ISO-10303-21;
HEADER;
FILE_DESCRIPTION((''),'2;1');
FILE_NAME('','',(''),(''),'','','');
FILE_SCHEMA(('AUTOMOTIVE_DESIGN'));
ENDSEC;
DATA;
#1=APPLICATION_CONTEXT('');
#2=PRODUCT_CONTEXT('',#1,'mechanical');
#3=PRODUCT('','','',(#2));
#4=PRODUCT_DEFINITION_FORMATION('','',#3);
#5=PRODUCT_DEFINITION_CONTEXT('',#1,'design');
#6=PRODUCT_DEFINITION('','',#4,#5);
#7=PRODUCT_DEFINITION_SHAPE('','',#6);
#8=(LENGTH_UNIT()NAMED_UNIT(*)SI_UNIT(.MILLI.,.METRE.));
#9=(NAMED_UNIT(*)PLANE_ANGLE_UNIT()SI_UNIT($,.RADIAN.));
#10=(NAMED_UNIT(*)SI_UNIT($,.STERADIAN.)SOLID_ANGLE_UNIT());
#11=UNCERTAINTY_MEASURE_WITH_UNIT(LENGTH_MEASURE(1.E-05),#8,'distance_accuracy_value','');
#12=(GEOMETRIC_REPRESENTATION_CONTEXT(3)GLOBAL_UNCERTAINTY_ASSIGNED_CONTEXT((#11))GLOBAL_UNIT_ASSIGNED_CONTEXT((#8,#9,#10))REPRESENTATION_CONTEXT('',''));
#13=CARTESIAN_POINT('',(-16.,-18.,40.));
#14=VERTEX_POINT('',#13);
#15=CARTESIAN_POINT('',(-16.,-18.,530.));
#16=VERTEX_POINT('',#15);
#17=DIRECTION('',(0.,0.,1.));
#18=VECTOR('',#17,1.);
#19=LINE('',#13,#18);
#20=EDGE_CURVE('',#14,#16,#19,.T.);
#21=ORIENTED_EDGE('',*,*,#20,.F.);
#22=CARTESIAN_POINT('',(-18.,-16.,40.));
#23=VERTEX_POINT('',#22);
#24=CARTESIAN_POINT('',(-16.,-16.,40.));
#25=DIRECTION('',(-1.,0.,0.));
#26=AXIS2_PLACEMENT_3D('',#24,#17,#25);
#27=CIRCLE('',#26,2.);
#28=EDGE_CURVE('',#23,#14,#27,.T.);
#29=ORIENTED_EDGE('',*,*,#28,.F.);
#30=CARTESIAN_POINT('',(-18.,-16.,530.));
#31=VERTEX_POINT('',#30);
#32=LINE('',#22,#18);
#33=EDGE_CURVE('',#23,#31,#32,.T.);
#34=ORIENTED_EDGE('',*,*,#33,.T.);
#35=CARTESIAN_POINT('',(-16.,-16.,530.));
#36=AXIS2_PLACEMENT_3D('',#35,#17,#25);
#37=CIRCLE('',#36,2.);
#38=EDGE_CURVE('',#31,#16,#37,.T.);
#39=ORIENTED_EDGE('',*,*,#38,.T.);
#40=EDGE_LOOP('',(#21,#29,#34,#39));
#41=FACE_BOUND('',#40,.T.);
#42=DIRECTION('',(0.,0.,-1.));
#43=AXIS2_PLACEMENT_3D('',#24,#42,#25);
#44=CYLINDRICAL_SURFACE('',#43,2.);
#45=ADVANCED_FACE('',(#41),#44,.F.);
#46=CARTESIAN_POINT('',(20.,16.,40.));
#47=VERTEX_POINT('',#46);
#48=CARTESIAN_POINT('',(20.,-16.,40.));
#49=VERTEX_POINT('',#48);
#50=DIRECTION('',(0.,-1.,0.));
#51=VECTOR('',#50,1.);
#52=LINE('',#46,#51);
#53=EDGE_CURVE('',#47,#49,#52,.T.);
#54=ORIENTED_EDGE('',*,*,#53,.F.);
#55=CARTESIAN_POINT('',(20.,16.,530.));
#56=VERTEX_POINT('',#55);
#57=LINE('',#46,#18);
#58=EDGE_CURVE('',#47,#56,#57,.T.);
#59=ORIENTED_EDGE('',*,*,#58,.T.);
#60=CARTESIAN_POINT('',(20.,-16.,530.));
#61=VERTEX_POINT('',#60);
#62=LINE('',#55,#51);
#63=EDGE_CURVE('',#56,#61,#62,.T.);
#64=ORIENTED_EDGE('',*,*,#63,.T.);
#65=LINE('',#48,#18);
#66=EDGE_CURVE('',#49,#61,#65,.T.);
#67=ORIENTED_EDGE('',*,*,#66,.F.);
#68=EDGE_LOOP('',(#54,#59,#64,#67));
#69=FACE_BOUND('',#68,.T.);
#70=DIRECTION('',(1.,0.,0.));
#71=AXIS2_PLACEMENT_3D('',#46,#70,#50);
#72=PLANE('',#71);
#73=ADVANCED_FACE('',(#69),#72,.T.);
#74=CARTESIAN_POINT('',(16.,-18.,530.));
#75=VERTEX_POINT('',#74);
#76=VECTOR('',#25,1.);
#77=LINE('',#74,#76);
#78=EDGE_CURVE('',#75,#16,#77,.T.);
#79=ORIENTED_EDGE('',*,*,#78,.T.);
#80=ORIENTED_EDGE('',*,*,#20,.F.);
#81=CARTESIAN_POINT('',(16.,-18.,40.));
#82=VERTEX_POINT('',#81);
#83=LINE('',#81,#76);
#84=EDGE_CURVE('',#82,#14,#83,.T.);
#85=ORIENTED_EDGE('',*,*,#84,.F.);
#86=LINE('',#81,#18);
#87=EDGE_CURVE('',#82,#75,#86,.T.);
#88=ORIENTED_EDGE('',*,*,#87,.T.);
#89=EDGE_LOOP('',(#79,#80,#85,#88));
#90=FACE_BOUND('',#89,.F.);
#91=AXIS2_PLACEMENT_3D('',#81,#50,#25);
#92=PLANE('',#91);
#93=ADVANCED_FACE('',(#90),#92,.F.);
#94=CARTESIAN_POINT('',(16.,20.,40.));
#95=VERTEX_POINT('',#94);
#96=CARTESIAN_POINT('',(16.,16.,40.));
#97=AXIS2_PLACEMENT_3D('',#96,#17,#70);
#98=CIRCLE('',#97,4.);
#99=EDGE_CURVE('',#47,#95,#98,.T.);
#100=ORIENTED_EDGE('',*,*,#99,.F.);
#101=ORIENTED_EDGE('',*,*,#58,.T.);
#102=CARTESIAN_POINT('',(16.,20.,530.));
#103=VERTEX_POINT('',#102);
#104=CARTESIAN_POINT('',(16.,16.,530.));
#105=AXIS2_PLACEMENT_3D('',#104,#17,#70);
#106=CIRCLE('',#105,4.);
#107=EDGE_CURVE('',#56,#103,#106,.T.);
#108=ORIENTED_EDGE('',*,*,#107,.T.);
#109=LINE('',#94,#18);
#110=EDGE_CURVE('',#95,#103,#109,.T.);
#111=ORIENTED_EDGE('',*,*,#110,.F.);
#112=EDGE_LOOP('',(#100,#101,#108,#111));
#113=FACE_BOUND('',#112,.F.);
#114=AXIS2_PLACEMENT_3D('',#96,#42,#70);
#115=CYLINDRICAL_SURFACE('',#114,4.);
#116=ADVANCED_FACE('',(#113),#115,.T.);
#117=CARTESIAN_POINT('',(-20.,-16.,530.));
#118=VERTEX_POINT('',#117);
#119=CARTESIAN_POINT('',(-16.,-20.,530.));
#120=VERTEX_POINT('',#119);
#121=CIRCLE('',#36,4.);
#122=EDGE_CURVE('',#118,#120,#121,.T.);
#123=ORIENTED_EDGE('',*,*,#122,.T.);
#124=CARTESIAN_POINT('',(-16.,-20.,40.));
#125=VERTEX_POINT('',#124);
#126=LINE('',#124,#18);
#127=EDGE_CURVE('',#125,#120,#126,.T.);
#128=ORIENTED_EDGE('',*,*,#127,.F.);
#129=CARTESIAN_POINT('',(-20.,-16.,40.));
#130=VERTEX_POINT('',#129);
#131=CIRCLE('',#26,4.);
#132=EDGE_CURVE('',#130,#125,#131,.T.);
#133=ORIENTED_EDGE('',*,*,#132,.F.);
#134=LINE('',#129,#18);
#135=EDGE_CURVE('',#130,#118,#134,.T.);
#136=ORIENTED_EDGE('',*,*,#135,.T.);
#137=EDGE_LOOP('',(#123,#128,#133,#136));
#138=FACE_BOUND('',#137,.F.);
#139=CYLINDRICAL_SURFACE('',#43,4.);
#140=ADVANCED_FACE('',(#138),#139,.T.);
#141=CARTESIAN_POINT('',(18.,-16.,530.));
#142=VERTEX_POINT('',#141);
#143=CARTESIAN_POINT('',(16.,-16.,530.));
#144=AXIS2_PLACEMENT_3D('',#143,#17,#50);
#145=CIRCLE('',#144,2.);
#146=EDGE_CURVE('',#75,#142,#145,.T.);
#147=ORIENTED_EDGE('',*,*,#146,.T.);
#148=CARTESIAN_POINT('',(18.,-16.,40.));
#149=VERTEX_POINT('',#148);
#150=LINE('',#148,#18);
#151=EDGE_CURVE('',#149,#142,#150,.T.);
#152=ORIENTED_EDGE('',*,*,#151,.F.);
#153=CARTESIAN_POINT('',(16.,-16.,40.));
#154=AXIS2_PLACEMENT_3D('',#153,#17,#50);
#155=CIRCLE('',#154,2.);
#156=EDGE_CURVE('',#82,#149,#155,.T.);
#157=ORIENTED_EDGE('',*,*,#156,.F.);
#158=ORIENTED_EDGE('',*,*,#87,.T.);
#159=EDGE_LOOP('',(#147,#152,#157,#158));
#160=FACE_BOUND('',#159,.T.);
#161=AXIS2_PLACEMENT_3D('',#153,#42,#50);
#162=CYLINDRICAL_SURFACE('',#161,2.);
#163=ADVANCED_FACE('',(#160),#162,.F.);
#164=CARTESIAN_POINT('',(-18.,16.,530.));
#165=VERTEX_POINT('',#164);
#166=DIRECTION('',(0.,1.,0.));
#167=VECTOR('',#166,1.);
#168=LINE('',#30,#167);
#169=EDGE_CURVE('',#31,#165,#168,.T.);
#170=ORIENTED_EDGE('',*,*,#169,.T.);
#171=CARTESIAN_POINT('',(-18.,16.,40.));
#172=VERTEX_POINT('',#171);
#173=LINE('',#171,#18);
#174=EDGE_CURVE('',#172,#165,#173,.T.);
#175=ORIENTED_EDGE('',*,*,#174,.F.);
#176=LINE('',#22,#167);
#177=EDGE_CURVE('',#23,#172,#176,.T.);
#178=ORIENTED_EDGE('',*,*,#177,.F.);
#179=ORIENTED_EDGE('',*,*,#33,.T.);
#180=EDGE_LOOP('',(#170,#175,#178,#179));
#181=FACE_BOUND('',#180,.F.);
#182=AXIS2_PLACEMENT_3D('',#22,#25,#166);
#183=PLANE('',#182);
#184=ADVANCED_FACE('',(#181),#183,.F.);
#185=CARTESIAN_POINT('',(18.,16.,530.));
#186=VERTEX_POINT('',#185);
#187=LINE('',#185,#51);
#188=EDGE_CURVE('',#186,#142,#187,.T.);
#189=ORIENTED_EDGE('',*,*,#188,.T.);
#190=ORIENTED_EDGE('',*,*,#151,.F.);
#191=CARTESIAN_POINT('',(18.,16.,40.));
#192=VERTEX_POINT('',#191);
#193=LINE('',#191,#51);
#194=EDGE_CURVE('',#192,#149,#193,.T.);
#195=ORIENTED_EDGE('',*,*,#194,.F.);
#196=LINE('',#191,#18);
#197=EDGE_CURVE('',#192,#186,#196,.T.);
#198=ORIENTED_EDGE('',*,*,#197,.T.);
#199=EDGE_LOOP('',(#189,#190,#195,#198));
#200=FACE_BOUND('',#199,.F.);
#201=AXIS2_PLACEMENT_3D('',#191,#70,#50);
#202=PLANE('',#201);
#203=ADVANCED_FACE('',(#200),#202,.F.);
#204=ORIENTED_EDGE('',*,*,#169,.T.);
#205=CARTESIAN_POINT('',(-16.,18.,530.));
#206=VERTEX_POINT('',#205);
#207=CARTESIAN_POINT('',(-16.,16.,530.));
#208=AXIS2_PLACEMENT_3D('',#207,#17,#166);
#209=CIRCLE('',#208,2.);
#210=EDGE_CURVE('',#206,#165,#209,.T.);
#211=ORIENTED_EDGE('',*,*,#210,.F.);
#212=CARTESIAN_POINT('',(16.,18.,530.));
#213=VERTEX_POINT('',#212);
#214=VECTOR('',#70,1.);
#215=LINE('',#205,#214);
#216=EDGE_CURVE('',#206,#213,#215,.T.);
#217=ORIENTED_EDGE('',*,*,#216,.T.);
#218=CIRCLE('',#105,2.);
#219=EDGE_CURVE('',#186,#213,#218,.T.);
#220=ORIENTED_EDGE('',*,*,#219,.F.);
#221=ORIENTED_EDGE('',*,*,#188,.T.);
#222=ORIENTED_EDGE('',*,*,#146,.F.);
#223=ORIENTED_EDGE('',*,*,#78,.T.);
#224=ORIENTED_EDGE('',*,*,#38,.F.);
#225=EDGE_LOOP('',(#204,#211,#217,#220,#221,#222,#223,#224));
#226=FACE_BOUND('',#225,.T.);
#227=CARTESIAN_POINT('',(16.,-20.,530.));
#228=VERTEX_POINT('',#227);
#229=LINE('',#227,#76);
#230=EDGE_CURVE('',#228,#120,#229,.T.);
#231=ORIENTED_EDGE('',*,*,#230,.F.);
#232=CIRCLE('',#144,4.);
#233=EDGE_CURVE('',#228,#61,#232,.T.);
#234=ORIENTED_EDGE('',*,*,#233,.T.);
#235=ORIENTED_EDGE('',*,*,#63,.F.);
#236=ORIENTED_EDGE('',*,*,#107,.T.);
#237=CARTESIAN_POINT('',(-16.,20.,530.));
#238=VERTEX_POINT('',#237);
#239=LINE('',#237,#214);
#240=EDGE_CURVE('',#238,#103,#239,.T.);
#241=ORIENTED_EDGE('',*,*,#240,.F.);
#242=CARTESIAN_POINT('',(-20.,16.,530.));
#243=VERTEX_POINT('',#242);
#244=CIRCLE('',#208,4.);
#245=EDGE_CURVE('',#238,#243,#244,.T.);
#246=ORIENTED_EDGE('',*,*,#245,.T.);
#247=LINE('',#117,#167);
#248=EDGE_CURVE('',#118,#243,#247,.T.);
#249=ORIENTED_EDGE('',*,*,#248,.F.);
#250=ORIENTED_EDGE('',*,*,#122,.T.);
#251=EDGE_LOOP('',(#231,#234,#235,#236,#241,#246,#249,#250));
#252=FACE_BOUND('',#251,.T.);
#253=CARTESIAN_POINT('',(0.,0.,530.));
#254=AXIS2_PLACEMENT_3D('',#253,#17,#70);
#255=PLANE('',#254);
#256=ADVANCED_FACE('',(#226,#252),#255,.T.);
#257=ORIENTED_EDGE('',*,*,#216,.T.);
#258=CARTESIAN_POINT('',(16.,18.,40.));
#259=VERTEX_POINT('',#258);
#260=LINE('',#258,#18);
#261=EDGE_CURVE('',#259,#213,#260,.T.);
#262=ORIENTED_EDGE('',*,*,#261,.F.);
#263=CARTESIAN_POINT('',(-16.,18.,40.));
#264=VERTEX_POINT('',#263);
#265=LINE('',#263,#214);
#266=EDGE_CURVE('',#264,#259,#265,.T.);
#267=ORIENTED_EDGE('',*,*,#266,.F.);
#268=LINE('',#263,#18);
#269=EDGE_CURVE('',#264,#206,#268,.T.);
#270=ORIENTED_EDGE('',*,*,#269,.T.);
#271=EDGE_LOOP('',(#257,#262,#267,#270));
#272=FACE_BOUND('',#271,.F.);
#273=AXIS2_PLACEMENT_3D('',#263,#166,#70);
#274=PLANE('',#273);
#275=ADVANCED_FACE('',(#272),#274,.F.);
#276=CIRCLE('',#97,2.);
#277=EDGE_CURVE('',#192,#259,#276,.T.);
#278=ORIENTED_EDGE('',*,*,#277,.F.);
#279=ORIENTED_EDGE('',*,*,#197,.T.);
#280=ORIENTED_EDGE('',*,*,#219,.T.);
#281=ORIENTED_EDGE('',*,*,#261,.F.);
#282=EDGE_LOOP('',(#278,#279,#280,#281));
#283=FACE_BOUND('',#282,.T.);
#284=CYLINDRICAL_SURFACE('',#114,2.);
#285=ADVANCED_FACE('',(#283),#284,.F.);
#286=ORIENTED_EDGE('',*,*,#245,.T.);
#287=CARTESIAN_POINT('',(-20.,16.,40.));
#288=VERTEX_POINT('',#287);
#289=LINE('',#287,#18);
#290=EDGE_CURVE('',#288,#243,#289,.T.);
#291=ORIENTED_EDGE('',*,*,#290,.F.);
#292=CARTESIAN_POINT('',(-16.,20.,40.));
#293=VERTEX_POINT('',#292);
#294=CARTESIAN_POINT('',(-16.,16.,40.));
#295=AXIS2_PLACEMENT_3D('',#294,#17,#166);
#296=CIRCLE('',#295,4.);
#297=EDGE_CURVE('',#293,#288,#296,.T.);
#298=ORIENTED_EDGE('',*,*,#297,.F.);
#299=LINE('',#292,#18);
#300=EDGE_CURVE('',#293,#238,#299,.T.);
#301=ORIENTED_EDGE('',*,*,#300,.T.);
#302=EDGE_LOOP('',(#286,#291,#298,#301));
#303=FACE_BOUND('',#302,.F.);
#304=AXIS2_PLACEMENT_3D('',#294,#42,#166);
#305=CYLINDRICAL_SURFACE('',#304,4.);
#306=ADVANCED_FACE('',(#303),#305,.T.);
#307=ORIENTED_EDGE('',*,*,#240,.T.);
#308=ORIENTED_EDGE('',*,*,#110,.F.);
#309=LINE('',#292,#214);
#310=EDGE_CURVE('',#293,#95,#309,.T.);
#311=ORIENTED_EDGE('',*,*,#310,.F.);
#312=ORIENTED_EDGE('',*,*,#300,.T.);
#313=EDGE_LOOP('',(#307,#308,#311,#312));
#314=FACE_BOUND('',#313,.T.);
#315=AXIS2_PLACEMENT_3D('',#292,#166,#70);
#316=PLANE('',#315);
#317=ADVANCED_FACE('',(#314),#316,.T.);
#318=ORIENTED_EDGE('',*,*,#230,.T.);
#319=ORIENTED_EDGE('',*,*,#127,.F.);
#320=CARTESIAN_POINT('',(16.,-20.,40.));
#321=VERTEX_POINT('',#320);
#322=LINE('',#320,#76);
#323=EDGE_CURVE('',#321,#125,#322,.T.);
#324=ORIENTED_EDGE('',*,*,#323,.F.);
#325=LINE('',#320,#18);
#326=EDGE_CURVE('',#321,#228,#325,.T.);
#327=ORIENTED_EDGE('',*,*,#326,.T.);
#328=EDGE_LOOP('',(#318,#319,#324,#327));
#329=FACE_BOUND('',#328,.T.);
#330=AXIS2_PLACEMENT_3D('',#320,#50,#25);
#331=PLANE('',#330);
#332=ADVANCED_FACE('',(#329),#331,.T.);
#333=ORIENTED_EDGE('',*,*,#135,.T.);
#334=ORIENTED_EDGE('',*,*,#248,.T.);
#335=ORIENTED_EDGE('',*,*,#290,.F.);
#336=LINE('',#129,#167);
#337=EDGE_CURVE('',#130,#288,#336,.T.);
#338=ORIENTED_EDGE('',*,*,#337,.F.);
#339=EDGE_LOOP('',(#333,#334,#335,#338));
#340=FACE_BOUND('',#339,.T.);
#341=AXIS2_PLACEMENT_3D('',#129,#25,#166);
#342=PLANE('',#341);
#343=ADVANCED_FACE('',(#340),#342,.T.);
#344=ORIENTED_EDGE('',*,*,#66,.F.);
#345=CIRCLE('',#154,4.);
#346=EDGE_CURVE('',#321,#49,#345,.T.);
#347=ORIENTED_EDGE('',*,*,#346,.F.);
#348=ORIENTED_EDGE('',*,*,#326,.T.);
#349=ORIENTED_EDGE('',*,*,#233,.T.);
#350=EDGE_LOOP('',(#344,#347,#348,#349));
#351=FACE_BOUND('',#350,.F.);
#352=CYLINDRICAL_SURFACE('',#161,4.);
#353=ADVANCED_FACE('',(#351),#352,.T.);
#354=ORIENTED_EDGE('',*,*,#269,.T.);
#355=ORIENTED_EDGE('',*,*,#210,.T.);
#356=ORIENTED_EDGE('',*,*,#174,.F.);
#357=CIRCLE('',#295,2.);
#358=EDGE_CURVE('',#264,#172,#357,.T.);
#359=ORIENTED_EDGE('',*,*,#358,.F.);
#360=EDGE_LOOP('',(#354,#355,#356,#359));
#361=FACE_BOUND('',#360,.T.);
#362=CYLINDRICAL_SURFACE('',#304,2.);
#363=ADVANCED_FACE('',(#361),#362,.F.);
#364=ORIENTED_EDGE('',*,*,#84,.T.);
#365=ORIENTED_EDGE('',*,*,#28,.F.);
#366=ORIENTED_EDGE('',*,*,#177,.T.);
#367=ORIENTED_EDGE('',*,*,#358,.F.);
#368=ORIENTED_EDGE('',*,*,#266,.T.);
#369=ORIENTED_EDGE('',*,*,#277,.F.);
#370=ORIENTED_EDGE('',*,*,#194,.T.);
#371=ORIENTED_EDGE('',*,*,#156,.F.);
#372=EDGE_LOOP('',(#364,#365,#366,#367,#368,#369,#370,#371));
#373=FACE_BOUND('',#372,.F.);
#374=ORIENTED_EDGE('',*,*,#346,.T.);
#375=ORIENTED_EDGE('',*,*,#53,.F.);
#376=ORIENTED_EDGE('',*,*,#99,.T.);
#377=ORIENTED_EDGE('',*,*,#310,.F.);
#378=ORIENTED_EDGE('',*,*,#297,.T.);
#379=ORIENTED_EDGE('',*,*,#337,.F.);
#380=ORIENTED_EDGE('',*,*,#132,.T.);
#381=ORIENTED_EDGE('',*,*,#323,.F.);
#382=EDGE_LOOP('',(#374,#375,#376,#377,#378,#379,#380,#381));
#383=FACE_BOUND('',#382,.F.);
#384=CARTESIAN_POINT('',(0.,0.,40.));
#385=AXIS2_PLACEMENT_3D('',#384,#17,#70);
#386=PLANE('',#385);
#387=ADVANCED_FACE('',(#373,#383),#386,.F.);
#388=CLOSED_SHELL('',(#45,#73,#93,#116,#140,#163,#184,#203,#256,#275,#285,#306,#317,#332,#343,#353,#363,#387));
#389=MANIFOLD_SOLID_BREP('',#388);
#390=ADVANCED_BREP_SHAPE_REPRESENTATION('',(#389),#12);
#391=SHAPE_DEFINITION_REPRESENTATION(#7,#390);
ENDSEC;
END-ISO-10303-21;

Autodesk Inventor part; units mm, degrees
ref_plane "YZ Plane" through (0, 0, 0) normal (1, 0, 0) x (0, 1, 0)
ref_plane "Start Plane" through (0, 0, 40) normal (0, 0, 1) x (1, 0, 0)
ref_plane "End Plane" through (0, 0, 530) normal (0, 0, 1) x (1, 0, 0)
sketch "Sketch" plane through (0, 0, 0) normal (0, 0, 1) x (1, 0, 0)
  line L0 (-20, -16) -> (-20, 16)
  line L1 (-16, 20) -> (16, 20)
  line L2 (20, 16) -> (20, -16)
  line L3 (16, -20) -> (-16, -20)
  arc A0 (-20, -16) -> (-16, -20) centre (-16, -16) ccw
  arc A1 (20, 16) -> (16, 20) centre (16, 16) ccw
  arc A2 (-16, 20) -> (-20, 16) centre (-16, 16) ccw
  arc A3 (16, -20) -> (20, -16) centre (16, -16) ccw
  arc A4 (-16, 18) -> (-18, 16) centre (-16, 16) ccw
  line L4 (-16, 18) -> (16, 18)
  arc A5 (18, 16) -> (16, 18) centre (16, 16) ccw
  line L5 (18, 16) -> (18, -16)
  arc A6 (16, -18) -> (18, -16) centre (16, -16) ccw
  line L6 (16, -18) -> (-16, -18)
  arc A7 (-18, -16) -> (-16, -18) centre (-16, -16) ccw
  line L7 (-18, -16) -> (-18, 16)
  line L8 (0, 29.1598) -> (0, -29.1598) construction
  line L9 (-29.1598, 0) -> (29.1598, 0) construction
  dimension "d7" = 4
  dimension "d9" = 40
  dimension "d11" = 40
  dimension "d12" = 2
  dimension "d15" = 20
  dimension "d16" = 20
extrude "Body" add sketch "Sketch" along normal up to surface (490 mm away) from surface at 40
sketch "Sketch3" plane through (0, 0, 0) normal (0, 0, 1) x (1, 0, 0)
  line L0 (0, 0) -> (10, 0)
ref_plane "Work Plane3" through (0, 0, 0) normal (0, -1, 0) x (1, 0, 0)
sketch "Sketch4" plane through (0, 0, 0) normal (0, -1, 0) x (1, 0, 0)
  line L0 (-2, 40) -> (12, 40) projected
  line L1 (-2, 530) -> (12, 530) projected
  dimension "d18" = 490
equation "\"d7\" = G_IR"
equation "\"d9\" = G_W"
equation "\"d11\" = G_H"
equation "\"d12\" = G_T"
equation "\"d15\" = 0.5 * d9"
equation "\"d16\" = 0.5 * d11"
equation "\"d3\" = G_L"
equation "\"G_W\" = 40"
equation "\"G_H\" = 40"
equation "\"G_T\" = 2"
equation "\"G_IR\" = 4"
equation "\"G_L\" = d18"
properties part number "ISO 10799-2 - 40x40x2 - 490" material "Steel, Mild"
